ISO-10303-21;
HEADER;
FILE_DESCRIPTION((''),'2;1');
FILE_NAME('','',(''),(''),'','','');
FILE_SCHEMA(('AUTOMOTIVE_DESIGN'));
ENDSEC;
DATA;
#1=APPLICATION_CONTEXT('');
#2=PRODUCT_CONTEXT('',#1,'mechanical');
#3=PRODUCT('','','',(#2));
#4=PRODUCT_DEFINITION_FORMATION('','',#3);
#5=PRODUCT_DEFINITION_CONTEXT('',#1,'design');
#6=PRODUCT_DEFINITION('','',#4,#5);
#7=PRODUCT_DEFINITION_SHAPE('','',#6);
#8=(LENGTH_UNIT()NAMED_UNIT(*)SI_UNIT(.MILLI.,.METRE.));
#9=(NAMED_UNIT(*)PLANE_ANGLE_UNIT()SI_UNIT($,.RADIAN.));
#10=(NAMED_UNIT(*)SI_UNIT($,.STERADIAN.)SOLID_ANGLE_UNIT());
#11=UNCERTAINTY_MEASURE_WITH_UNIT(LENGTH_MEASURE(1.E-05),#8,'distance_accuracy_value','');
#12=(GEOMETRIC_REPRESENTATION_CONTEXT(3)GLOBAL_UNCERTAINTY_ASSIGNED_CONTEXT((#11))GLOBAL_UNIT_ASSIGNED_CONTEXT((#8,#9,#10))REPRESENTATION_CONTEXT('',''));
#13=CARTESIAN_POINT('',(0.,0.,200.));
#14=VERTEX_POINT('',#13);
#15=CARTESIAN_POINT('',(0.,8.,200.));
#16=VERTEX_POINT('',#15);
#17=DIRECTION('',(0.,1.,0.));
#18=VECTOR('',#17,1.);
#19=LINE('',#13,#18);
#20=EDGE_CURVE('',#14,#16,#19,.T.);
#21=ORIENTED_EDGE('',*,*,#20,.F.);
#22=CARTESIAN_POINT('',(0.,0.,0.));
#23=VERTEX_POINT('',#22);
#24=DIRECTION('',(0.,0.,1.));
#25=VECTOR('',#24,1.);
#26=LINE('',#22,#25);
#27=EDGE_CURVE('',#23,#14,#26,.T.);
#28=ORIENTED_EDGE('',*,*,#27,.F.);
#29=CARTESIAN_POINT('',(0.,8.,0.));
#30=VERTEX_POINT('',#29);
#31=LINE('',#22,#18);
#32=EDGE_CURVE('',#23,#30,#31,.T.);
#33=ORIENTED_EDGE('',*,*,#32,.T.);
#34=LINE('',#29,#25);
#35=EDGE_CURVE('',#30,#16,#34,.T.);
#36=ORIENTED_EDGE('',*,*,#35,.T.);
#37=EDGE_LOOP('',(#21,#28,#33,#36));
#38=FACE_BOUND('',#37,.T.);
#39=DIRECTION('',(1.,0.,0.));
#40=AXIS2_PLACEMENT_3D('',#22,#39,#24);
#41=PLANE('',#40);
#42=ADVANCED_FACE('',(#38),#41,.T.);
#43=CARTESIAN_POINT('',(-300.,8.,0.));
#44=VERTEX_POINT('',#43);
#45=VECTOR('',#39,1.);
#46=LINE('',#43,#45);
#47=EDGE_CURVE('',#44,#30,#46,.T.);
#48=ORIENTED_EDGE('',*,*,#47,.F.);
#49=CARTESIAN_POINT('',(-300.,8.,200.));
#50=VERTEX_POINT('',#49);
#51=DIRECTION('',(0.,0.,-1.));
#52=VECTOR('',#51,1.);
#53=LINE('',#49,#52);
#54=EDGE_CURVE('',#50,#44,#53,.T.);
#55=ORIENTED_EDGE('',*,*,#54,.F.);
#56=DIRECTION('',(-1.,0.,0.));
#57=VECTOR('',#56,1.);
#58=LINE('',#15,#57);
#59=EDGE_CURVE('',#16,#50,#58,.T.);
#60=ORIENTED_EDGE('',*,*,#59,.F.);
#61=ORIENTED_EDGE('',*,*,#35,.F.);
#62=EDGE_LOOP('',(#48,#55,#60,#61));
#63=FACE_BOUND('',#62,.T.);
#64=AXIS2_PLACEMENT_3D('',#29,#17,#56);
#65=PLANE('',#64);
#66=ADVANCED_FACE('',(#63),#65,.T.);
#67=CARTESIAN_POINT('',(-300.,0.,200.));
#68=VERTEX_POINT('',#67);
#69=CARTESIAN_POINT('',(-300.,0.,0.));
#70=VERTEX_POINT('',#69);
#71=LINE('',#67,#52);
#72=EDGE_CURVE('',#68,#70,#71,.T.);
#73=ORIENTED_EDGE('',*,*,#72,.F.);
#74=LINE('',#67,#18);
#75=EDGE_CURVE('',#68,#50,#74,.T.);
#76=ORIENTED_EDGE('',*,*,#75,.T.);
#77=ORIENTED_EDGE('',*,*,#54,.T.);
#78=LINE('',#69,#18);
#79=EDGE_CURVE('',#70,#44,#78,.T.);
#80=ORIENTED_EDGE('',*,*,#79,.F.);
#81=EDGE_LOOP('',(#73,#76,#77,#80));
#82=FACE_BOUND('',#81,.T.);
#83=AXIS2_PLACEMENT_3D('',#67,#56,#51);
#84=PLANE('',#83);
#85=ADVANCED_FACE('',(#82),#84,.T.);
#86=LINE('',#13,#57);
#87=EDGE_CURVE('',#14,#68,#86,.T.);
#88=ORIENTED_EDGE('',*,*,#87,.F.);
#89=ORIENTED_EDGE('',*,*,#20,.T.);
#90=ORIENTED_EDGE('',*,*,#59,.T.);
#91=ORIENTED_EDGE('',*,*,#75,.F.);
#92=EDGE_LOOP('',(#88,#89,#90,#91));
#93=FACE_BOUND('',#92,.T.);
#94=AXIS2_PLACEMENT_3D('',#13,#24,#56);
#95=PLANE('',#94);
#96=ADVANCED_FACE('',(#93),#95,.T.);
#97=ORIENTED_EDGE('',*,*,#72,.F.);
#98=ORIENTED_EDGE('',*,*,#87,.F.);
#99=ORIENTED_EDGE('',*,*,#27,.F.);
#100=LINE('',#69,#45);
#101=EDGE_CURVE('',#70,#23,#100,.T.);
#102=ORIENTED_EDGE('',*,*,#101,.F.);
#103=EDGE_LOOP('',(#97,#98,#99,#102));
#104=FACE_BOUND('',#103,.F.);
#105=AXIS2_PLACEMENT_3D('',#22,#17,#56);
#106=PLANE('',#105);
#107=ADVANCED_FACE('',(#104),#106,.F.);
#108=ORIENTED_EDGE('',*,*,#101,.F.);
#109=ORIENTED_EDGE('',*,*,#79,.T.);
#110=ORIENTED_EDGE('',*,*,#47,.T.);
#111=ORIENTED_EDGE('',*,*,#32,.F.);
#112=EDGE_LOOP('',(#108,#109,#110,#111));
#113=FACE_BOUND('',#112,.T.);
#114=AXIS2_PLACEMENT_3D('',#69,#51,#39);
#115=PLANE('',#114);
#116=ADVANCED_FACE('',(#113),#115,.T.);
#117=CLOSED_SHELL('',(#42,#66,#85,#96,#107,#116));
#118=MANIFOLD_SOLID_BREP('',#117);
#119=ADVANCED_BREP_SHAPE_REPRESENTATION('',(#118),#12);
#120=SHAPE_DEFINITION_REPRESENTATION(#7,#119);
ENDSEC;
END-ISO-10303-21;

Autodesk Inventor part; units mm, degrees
ref_plane "YZ Plane" through (0, 0, 0) normal (1, 0, 0) x (0, 1, 0)
ref_plane "XZ Plane" through (0, 0, 0) normal (0, 1, 0) x (-1, 0, 0)
ref_plane "XY Plane" through (0, 0, 0) normal (0, 0, 1) x (1, 0, 0)
sketch "Sketch5" plane through (0, 0, 0) normal (0, 1, 0) x (-1, 0, 0)
  line L0 (0, 0) -> (0, 200)
  line L1 (0, 200) -> (300, 200)
  line L2 (300, 200) -> (300, 0)
  line L3 (300, 0) -> (0, 0)
  dimension "d16" = 200
  dimension "d17" = 300
extrude "Extrusion5" add sketch "Sketch5" along normal blind 8
equation "\"PointX0\" = 0"
equation "\"PointY0\" = 0"
equation "\"PointZ0\" = 0"
equation "\"PointX1\" = 0"
equation "\"PointZ1\" = 0"
equation "\"PointZ2\" = 0"
equation "\"PointY3\" = 0"
equation "\"PointZ3\" = 0"
equation "\"length\" = 8"
equation "\"PointX0_1\" = 0"
equation "\"PointY0_1\" = 0"
equation "\"PointZ0_1\" = 0"
equation "\"PointX1_1\" = 0"
equation "\"PointZ1_1\" = 0"
equation "\"PointZ2_1\" = 0"
equation "\"PointY3_1\" = 0"
equation "\"PointZ3_1\" = 0"
equation "\"length_1\" = 8"
equation "\"PointX0_1_2\" = 0"
equation "\"PointY0_1_2\" = 0"
equation "\"PointZ0_1_2\" = 0"
equation "\"PointX1_1_2\" = 0"
equation "\"PointZ1_1_2\" = 0"
equation "\"PointZ2_1_2\" = 0"
equation "\"PointY3_1_2\" = 0"
equation "\"PointZ3_1_2\" = 0"
equation "\"length_1_2\" = 8"
equation "\"PointX0_1_2_3\" = 0"
equation "\"PointY0_1_2_3\" = 0"
equation "\"PointZ0_1_2_3\" = 0"
equation "\"PointX1_1_2_3\" = 0"
equation "\"PointZ1_1_2_3\" = 0"
equation "\"PointZ2_1_2_3\" = 0"
equation "\"PointY3_1_2_3\" = 0"
equation "\"PointZ3_1_2_3\" = 0"
equation "\"length_1_2_3\" = 8"
equation "\"PointX0_1_2_3_4\" = 0"
equation "\"PointY0_1_2_3_4\" = 0"
equation "\"PointZ0_1_2_3_4\" = 0"
equation "\"PointX1_1_2_3_4\" = 0"
equation "\"PointZ1_1_2_3_4\" = 0"
equation "\"PointZ2_1_2_3_4\" = 0"
equation "\"PointY3_1_2_3_4\" = 0"
equation "\"PointZ3_1_2_3_4\" = 0"
equation "\"length_1_2_3_4\" = 8"
properties part number "Generic8inFloor0" material "-=Choose Material=-"
